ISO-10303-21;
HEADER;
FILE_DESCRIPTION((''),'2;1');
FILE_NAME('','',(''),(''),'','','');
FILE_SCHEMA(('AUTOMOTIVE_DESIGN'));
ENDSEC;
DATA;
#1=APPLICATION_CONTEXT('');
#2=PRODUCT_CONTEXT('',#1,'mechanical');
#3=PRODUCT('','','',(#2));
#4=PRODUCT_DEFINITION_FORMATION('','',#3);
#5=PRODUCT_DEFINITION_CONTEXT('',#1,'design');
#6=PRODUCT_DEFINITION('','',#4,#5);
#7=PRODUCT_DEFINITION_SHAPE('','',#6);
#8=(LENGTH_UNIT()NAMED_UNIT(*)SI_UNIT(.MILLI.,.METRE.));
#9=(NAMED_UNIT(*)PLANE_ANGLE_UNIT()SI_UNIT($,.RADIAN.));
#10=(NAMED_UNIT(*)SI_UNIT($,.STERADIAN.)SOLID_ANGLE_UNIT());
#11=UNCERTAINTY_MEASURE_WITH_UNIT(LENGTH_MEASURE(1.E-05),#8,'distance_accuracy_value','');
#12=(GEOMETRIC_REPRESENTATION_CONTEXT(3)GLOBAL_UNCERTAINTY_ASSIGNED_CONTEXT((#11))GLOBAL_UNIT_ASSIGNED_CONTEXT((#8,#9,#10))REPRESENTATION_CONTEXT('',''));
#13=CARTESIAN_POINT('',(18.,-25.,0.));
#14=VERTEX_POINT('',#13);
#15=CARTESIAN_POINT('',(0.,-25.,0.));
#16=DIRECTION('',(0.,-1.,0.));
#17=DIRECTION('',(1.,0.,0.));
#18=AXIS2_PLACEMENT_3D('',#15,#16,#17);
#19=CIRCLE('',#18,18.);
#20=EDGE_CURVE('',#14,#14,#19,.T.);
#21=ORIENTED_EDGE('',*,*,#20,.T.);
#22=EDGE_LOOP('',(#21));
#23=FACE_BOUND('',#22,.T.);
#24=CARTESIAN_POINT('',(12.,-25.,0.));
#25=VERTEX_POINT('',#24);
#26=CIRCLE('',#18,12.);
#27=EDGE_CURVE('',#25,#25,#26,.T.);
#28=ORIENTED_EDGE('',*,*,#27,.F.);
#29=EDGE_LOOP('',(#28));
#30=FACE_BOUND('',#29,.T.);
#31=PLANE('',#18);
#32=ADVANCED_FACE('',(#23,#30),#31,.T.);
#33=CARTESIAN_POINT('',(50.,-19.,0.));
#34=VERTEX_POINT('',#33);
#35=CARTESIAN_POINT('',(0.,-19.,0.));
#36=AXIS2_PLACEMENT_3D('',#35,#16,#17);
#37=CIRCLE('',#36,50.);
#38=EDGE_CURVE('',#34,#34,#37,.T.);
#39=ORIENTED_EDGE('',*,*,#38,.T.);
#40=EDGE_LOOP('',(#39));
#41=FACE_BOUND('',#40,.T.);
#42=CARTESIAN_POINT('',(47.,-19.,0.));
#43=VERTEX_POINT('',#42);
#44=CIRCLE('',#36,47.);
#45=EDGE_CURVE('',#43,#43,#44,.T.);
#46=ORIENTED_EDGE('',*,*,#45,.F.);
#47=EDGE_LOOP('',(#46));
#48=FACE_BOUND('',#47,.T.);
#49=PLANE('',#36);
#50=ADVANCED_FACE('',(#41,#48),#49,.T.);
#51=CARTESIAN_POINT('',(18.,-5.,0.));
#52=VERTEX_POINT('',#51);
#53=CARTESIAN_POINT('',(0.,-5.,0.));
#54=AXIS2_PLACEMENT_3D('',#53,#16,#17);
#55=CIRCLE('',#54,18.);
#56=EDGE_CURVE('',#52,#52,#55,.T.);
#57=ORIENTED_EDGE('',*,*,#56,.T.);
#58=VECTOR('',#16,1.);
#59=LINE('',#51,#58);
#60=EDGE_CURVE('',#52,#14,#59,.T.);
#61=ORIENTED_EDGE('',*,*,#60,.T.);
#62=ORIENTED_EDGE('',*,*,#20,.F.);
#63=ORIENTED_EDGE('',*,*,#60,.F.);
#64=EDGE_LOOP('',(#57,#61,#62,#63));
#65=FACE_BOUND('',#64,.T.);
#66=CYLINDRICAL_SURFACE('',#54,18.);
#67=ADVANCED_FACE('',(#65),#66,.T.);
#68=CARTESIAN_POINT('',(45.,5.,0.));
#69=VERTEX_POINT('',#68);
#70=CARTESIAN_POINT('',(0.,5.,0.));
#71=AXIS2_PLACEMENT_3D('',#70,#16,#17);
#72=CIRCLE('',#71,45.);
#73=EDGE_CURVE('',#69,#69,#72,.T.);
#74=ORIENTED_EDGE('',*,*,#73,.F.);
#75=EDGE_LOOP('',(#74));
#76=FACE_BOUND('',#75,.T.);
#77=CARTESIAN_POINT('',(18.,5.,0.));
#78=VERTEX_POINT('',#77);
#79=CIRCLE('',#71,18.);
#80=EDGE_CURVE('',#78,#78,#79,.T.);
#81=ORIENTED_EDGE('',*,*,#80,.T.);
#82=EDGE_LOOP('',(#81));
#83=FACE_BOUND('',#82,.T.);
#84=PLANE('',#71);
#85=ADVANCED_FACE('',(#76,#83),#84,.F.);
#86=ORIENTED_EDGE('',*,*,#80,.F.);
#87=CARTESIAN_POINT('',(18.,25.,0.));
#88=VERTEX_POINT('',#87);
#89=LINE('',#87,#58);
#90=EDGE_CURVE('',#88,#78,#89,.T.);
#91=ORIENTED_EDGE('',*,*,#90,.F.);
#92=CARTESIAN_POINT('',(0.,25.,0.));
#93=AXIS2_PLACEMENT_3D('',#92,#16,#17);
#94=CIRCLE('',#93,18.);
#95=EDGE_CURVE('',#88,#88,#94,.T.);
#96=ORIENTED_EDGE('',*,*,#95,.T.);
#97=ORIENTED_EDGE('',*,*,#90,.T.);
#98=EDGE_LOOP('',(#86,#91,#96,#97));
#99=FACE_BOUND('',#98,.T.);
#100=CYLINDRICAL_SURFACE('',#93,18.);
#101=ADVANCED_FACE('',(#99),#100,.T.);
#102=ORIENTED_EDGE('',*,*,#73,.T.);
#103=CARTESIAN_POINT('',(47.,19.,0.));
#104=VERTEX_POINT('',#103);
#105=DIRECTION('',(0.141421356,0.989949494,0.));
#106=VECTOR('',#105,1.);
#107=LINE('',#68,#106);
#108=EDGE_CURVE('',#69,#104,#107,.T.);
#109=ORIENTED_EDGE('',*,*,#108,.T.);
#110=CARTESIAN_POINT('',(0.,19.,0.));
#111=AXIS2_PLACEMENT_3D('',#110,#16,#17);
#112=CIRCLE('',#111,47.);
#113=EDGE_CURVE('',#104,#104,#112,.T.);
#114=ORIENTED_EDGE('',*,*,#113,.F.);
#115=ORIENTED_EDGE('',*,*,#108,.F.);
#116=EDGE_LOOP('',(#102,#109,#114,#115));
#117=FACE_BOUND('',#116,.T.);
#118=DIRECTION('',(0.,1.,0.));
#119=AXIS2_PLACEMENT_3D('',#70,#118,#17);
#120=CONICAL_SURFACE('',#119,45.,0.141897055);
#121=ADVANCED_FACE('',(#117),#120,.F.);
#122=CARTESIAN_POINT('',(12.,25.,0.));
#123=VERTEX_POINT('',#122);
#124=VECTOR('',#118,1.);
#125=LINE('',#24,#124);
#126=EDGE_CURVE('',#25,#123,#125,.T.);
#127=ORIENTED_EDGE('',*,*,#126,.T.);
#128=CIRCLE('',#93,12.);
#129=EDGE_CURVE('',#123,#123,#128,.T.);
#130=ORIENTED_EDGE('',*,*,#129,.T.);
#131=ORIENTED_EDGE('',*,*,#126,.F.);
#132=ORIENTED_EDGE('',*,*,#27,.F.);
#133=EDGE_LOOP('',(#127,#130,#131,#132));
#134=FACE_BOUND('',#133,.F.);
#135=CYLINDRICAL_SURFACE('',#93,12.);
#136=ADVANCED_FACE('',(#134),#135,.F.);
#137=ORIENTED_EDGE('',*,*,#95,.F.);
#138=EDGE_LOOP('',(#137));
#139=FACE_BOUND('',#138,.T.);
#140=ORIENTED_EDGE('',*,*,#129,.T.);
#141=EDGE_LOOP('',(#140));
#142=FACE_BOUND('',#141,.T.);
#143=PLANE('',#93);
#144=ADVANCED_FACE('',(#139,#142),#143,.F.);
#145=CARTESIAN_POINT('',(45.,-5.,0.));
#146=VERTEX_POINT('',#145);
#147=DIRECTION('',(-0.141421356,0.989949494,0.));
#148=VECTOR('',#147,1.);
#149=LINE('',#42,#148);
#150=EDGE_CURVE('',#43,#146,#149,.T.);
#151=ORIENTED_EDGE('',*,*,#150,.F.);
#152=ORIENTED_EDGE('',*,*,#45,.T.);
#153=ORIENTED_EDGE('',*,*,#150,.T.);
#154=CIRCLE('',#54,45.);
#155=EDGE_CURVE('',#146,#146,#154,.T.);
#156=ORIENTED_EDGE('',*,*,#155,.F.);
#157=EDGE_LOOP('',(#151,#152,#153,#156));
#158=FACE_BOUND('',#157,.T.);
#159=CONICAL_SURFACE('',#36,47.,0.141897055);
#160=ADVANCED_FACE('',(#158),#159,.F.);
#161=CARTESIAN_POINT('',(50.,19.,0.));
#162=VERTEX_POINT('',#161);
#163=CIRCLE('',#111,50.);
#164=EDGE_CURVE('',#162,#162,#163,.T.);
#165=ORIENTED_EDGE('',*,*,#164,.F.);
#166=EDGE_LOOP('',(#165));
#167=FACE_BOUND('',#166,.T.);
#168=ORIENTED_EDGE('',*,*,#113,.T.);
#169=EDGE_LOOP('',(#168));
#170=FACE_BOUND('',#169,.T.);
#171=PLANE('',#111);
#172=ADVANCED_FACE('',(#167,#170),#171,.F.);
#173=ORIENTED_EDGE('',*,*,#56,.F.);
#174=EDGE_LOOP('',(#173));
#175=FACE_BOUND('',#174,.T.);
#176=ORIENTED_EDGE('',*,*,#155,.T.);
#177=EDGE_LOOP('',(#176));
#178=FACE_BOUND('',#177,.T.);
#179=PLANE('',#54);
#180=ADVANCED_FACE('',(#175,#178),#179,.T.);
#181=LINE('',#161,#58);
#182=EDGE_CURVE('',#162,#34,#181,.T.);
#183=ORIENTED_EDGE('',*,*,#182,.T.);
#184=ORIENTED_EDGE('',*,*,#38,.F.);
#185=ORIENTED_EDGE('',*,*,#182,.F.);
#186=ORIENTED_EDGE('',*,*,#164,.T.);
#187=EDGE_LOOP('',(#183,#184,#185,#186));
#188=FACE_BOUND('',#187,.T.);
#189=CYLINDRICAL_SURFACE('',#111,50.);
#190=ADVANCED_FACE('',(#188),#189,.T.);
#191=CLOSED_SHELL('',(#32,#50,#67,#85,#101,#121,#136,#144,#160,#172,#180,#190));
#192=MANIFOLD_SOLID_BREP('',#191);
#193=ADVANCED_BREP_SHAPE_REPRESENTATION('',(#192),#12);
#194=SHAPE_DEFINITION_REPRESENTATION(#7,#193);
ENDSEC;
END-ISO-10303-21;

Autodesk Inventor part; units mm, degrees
ref_plane "YZ Plane" through (0, 0, 0) normal (1, 0, 0) x (0, 1, 0)
ref_plane "XZ Plane" through (0, 0, 0) normal (0, 1, 0) x (-1, 0, 0)
ref_plane "XY Plane" through (0, 0, 0) normal (0, 0, 1) x (1, 0, 0)
sketch "Sketch1" plane through (0, 0, 0) normal (0, 0, 1) x (1, 0, 0)
  line L0 (0, 40) -> (0, -30) projected
  line L1 (8.2, 0) -> (61.4, 0) projected
  line L2 (12, 25) -> (12, -25)
  line L3 (12, 25) -> (18, 25)
  line L4 (18, 25) -> (18, 5)
  line L5 (18, 5) -> (45, 5)
  line L6 (47, 19) -> (50, 19)
  line L7 (50, 19) -> (50, -19)
  line L8 (50, -19) -> (47, -19)
  line L9 (47, -19) -> (45, -5)
  line L10 (45, -5) -> (18, -5)
  line L11 (18, -5) -> (18, -25)
  line L12 (18, -25) -> (12, -25)
  line L13 (45, 5) -> (47, 19)
  dimension "d0" = 50
  dimension "d1" = 24
  dimension "d2" = 36
  dimension "d3" = 100
  dimension "d4" = 3
  dimension "d5" = 10
  dimension "d6" = 5
  dimension "d7" = 38
revolve "Revolution1" add sketch "Sketch1" angle 360 about axis through (0, 0, 0) along (0, -1, 0)
properties part number "Wheel" material "Thermoplastic Resin"
